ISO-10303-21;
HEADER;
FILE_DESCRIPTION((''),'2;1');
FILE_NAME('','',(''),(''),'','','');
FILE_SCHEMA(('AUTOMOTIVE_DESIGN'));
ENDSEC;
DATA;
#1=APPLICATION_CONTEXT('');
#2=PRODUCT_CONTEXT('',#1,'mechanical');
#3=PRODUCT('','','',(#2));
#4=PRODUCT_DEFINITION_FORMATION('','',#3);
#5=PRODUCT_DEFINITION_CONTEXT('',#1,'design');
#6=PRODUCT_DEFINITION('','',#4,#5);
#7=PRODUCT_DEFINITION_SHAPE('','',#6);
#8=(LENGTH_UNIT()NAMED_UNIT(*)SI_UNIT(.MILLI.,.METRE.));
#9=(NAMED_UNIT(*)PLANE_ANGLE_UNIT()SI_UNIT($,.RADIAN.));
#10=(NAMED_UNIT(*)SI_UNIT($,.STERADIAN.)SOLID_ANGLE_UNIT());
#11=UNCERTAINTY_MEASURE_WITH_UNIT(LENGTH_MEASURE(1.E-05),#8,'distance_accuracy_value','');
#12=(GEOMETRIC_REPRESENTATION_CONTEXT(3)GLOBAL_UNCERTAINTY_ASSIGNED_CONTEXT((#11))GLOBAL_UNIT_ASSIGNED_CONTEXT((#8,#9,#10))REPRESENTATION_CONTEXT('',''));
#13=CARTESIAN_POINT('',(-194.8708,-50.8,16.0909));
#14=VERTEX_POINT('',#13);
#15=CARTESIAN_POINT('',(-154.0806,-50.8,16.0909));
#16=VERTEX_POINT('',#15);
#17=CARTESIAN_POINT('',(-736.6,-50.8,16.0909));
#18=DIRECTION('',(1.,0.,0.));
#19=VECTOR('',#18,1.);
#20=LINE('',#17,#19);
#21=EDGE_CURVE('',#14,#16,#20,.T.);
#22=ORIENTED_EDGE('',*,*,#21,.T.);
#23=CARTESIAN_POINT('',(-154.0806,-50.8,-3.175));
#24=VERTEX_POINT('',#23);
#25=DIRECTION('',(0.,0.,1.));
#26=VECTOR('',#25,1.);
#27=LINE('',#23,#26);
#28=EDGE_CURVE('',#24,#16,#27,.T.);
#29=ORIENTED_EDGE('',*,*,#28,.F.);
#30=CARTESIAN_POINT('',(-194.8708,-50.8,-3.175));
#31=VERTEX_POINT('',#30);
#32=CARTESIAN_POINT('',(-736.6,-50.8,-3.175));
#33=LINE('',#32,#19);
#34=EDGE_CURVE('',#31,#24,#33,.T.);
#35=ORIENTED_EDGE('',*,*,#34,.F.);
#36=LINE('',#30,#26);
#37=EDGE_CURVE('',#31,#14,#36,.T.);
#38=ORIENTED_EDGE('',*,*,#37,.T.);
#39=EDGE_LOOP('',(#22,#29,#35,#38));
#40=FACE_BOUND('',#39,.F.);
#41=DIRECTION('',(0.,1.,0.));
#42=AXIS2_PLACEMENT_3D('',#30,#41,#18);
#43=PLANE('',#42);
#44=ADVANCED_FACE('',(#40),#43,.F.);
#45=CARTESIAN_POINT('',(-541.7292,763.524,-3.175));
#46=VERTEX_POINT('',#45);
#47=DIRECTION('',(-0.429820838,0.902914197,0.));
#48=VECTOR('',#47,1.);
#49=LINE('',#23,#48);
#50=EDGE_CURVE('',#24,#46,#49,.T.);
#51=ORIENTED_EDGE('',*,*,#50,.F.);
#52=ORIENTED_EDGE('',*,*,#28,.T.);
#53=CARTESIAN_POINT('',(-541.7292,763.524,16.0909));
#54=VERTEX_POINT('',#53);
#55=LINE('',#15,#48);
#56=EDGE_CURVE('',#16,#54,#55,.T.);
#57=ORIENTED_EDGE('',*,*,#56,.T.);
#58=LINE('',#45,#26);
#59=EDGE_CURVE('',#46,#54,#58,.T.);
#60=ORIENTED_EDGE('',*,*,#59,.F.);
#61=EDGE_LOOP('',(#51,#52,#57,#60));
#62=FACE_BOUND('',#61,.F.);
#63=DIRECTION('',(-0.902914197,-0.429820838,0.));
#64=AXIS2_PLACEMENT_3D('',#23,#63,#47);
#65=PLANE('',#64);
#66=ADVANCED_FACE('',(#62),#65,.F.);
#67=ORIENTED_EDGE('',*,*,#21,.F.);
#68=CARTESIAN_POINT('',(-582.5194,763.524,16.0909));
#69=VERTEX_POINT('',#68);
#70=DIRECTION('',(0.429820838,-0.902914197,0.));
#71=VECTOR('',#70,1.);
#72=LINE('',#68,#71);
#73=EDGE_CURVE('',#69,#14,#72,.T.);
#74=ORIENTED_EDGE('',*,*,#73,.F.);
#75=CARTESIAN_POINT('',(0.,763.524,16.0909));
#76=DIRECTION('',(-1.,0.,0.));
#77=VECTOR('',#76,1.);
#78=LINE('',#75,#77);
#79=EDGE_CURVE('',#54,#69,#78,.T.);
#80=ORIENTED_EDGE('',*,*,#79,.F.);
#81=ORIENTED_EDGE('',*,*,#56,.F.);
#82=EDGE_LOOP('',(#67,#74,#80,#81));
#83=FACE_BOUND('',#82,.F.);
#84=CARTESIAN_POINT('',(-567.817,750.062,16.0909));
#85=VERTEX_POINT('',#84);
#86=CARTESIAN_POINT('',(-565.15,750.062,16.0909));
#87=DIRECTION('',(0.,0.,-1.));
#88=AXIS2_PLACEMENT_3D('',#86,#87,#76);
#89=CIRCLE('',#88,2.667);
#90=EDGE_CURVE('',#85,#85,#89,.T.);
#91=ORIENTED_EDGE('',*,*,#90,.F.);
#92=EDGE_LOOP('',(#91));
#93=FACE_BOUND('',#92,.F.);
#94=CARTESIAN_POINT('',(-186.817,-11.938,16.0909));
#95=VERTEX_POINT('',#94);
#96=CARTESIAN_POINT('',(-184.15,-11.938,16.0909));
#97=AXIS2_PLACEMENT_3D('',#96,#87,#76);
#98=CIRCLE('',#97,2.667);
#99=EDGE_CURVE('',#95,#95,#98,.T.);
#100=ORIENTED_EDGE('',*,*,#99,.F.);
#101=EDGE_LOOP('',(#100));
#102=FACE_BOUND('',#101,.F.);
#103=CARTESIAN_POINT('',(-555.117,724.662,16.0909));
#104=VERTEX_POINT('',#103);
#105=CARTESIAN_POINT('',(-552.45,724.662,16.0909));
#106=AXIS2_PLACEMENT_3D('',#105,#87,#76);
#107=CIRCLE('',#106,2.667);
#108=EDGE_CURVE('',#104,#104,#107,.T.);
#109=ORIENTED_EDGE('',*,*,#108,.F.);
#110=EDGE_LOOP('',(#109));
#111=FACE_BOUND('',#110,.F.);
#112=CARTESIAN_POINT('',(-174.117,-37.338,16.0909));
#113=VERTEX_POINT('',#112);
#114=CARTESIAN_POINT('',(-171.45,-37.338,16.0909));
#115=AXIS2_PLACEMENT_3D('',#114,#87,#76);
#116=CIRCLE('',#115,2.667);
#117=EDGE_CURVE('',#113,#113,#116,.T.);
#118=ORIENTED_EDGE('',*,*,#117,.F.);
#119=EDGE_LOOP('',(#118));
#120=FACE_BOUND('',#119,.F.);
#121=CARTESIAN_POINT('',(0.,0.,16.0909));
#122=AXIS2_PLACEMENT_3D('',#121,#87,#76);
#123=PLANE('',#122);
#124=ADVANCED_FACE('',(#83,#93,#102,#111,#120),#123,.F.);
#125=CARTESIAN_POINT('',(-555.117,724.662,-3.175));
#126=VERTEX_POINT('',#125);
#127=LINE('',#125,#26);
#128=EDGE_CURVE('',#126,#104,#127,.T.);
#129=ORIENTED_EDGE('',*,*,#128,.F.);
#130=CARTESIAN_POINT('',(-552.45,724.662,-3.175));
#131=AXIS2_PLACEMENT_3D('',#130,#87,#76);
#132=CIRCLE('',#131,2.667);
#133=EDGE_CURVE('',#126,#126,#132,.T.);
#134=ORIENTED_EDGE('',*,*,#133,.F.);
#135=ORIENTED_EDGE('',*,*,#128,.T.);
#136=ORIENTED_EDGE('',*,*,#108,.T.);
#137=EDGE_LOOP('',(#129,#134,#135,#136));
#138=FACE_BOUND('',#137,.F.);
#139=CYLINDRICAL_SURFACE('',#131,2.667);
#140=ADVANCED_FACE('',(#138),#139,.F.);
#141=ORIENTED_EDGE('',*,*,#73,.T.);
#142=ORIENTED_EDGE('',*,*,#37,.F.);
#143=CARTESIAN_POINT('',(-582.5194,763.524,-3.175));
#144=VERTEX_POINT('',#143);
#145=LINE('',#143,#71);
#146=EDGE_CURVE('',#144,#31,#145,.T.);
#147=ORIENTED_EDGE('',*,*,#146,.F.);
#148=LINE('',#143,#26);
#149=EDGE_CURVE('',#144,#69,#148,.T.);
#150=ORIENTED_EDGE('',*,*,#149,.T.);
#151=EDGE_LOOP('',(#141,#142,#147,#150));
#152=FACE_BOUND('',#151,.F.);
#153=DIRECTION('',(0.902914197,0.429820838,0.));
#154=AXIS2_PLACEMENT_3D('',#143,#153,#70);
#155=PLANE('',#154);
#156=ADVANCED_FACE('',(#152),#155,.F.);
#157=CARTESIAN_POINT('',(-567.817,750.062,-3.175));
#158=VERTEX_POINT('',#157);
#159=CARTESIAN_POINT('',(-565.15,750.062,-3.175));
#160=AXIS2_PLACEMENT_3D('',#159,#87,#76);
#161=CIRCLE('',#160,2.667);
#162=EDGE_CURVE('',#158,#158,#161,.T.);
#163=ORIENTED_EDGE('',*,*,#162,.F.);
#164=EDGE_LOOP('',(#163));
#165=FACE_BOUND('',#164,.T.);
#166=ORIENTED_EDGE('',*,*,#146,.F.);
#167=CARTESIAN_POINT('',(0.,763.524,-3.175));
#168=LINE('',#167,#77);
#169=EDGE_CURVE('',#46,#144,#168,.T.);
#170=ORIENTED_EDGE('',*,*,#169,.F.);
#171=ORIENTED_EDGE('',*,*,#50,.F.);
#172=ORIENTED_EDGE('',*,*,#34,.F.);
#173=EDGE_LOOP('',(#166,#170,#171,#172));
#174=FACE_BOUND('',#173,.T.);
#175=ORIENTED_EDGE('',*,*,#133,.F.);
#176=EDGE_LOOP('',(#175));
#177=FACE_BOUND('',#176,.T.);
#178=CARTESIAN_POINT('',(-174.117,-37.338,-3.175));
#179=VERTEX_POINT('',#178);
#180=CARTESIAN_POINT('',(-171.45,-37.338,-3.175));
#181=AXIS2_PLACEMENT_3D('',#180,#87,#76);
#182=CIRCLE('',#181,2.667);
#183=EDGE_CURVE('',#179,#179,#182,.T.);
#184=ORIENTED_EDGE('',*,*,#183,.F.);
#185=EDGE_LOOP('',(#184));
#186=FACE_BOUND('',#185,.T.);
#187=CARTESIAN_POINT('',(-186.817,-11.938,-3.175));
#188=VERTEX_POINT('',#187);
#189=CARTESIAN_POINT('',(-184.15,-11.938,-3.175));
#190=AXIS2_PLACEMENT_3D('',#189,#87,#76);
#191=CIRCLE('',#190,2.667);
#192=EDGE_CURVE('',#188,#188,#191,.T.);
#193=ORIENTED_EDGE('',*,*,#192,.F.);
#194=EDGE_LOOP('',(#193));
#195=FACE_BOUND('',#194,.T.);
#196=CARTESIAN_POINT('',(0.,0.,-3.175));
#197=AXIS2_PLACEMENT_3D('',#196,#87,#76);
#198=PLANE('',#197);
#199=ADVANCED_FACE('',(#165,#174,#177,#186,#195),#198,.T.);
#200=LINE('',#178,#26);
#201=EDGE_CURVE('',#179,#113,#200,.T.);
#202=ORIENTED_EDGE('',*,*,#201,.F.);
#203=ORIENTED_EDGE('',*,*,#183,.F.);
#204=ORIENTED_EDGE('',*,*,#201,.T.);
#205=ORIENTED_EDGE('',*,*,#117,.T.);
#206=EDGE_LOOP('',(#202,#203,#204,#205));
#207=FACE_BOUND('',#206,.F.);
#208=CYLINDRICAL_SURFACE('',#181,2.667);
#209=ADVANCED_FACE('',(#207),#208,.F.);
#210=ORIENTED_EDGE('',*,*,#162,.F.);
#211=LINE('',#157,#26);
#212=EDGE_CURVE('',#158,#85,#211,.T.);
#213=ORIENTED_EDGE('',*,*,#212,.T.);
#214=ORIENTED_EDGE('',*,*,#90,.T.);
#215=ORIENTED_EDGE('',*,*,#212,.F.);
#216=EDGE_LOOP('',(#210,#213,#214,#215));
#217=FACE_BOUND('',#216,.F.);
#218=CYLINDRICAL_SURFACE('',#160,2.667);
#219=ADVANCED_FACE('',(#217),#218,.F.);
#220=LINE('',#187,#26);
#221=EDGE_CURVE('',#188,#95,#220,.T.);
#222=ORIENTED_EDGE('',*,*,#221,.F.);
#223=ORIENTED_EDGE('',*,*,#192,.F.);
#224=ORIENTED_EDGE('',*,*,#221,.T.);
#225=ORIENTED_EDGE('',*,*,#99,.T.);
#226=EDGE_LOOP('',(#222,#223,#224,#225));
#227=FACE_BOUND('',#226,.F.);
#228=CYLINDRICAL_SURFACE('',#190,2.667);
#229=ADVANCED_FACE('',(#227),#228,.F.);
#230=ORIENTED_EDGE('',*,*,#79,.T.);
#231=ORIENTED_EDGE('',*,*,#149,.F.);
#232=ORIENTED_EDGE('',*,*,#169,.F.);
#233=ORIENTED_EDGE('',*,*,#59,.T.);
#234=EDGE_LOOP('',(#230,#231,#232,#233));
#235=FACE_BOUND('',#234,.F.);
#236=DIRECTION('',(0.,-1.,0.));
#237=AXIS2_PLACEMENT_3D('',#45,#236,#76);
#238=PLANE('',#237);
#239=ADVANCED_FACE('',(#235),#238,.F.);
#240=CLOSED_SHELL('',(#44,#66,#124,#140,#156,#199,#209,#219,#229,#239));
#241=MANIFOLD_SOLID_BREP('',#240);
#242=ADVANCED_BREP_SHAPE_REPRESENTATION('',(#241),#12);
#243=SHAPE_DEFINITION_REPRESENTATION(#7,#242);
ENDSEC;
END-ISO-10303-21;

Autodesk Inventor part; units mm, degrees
ref_plane "YZ Plane" through (0, 0, 0) normal (1, 0, 0) x (0, 1, 0)
ref_plane "XZ Plane" through (0, 0, 0) normal (0, 1, 0) x (-1, 0, 0)
ref_plane "XY Plane" through (0, 0, 0) normal (0, 0, 1) x (1, 0, 0)
ref_plane "Work Plane1" through (0, 0, -3.175) normal (0, 0, -1) x (-1, 0, 0)
sketch "Sketch1" plane through (0, 0, -3.175) normal (0, 0, -1) x (-1, 0, 0)
  circle A0 centre (171.45, -37.338) radius 2.667 projected
  circle A1 centre (184.15, -11.938) radius 2.667 projected
  circle A2 centre (577.85, 750.062) radius 2.667 construction
  circle A3 centre (565.15, 724.662) radius 2.667 construction
  line L0 (0, 763.524) -> (736.6, 763.524) projected
  line L1 (736.6, -50.8) -> (0, -50.8) projected
  line L2 (154.0806, -50.8) -> (541.7292, 763.524)
  line L3 (582.5194, 763.524) -> (194.8708, -50.8)
  line L4 (194.8708, -50.8) -> (154.0806, -50.8)
  line L5 (541.7292, 763.524) -> (582.5194, 763.524)
  line L6 (487.8257, 564.3774) -> (487.8257, 502.6234) construction
  line L7 (594.2009, 565.5044) -> (496.0553, 565.5044) construction
  line L8 (488.8257, 565.3774) -> (496.0553, 565.3774) construction
  line L9 (248.7743, 148.3466) -> (248.7743, 210.1006) construction
  line L10 (247.7743, 147.3466) -> (240.5447, 147.3466) construction
  line L11 (142.3991, 147.2196) -> (240.5447, 147.2196) construction
  arc A4 (247.7743, 147.3466) -> (248.7743, 148.3466) centre (247.7743, 148.3466) ccw construction
  arc A5 (488.8257, 565.3774) -> (487.8257, 564.3774) centre (488.8257, 564.3774) ccw construction
  line L12 (622.3, 759.587) -> (622.3, 435.737) construction
  line L13 (114.3, -46.863) -> (114.3, 276.987) construction
  circle A6 centre (565.15, 750.062) radius 2.667 projected
  circle A7 centre (552.45, 724.662) radius 2.667 projected
  point P0 (0, 0)
  dimension "d0" = 36.83
  dimension "d1" = 39.7806
extrude "Extrusion1" add sketch "Sketch1" against normal blind 19.2659
properties part number "FL-RR Wood Brace"
